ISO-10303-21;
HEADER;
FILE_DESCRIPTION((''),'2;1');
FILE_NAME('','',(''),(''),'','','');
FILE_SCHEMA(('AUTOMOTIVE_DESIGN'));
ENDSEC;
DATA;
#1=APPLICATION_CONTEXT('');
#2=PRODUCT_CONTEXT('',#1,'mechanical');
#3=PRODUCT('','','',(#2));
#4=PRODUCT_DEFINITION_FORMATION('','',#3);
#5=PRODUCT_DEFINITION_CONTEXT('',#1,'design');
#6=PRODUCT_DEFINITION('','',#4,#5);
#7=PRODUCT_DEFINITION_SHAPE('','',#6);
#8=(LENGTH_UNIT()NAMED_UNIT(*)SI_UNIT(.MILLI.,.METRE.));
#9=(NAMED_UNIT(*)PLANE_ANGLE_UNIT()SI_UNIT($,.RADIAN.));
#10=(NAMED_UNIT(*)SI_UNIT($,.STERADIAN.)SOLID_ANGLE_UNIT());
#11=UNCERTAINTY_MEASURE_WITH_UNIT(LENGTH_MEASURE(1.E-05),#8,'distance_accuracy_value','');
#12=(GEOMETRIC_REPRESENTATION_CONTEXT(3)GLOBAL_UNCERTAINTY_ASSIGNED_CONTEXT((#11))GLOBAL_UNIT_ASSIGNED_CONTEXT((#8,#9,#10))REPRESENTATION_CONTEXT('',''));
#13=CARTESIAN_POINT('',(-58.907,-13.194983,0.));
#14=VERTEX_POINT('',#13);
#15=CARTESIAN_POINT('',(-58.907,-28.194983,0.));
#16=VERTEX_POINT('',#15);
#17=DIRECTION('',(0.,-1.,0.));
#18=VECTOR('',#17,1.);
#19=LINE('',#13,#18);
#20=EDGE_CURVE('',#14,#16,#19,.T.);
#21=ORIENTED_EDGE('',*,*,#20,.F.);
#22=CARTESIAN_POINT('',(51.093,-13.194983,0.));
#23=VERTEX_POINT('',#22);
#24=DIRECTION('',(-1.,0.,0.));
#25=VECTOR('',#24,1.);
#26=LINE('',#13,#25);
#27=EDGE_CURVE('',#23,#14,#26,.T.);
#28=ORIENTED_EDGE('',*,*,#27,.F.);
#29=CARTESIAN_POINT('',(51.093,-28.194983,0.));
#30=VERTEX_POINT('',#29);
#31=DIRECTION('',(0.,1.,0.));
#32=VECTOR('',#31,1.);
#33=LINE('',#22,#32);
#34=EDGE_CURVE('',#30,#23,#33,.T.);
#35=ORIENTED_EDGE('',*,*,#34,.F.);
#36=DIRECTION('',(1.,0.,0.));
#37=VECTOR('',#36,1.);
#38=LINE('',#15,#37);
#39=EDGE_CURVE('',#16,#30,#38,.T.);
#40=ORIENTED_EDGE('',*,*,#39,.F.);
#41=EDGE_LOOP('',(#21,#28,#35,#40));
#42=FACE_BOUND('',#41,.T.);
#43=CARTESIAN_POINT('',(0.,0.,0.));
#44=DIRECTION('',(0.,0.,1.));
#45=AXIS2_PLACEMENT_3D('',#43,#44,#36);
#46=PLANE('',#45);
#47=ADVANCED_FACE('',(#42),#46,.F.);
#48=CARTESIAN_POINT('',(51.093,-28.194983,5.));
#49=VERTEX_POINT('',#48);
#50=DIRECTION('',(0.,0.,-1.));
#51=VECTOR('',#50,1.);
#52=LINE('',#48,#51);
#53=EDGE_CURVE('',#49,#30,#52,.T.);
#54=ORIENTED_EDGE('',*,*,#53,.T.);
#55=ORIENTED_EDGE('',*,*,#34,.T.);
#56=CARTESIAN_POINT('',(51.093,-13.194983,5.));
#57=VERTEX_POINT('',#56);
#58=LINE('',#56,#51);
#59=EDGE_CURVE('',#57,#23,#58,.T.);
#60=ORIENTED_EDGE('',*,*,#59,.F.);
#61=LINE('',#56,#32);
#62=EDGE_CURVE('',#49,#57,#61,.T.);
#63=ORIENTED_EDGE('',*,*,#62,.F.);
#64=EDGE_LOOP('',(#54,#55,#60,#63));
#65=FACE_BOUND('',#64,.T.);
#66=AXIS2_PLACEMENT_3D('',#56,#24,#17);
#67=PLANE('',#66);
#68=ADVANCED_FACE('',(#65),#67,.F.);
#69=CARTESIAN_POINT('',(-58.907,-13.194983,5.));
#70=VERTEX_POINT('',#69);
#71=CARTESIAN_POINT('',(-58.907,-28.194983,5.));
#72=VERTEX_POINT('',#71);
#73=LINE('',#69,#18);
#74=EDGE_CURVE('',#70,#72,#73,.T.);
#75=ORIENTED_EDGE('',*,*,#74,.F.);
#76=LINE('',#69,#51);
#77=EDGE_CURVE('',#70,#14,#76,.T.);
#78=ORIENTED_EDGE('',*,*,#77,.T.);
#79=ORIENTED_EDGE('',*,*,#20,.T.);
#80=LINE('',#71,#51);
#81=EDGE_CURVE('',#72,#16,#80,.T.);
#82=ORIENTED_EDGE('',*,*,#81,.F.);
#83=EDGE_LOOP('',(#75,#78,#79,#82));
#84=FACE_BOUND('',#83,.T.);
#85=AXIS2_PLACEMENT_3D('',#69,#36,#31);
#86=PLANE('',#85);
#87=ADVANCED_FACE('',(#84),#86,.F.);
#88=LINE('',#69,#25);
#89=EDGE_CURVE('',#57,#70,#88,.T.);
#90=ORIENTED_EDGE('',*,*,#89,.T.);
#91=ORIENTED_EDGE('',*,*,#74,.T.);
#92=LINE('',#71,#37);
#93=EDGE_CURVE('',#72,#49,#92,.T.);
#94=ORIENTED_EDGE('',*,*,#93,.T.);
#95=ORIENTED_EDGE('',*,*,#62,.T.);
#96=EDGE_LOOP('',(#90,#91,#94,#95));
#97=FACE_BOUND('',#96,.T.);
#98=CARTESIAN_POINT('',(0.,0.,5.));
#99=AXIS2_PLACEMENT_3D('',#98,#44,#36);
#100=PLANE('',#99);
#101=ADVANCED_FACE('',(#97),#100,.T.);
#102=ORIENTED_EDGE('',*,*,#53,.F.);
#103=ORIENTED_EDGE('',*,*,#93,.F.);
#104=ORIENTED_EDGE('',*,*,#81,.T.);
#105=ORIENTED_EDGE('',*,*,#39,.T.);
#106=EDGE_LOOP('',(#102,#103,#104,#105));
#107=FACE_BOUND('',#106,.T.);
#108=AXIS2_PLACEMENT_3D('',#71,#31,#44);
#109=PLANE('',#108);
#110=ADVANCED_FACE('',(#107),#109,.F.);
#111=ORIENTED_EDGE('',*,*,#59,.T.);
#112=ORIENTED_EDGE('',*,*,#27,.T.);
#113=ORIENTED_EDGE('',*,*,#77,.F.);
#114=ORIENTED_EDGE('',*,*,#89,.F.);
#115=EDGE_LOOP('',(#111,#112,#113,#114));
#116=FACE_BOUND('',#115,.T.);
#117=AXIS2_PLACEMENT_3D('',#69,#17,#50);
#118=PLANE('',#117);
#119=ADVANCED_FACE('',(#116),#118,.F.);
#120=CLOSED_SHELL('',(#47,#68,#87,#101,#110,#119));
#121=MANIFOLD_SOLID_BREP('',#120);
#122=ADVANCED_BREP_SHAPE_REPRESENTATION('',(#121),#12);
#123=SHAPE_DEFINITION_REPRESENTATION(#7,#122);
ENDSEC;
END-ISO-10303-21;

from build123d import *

# Parameters (mm, degrees)
ESBO_O1_W                = 110
ESBO_O1_H                = 15
RESSALTO_EXTRUS_O1_DEPTH = 5


with BuildPart() as part:
    # Esboço1 → Ressalto-extrusão1 (new body)
    with BuildSketch(Plane.XY):
        with Locations((-3.906999705, -20.694983064)):
            Rectangle(ESBO_O1_W, ESBO_O1_H)
    extrude(amount=RESSALTO_EXTRUS_O1_DEPTH)


solid = part.part
